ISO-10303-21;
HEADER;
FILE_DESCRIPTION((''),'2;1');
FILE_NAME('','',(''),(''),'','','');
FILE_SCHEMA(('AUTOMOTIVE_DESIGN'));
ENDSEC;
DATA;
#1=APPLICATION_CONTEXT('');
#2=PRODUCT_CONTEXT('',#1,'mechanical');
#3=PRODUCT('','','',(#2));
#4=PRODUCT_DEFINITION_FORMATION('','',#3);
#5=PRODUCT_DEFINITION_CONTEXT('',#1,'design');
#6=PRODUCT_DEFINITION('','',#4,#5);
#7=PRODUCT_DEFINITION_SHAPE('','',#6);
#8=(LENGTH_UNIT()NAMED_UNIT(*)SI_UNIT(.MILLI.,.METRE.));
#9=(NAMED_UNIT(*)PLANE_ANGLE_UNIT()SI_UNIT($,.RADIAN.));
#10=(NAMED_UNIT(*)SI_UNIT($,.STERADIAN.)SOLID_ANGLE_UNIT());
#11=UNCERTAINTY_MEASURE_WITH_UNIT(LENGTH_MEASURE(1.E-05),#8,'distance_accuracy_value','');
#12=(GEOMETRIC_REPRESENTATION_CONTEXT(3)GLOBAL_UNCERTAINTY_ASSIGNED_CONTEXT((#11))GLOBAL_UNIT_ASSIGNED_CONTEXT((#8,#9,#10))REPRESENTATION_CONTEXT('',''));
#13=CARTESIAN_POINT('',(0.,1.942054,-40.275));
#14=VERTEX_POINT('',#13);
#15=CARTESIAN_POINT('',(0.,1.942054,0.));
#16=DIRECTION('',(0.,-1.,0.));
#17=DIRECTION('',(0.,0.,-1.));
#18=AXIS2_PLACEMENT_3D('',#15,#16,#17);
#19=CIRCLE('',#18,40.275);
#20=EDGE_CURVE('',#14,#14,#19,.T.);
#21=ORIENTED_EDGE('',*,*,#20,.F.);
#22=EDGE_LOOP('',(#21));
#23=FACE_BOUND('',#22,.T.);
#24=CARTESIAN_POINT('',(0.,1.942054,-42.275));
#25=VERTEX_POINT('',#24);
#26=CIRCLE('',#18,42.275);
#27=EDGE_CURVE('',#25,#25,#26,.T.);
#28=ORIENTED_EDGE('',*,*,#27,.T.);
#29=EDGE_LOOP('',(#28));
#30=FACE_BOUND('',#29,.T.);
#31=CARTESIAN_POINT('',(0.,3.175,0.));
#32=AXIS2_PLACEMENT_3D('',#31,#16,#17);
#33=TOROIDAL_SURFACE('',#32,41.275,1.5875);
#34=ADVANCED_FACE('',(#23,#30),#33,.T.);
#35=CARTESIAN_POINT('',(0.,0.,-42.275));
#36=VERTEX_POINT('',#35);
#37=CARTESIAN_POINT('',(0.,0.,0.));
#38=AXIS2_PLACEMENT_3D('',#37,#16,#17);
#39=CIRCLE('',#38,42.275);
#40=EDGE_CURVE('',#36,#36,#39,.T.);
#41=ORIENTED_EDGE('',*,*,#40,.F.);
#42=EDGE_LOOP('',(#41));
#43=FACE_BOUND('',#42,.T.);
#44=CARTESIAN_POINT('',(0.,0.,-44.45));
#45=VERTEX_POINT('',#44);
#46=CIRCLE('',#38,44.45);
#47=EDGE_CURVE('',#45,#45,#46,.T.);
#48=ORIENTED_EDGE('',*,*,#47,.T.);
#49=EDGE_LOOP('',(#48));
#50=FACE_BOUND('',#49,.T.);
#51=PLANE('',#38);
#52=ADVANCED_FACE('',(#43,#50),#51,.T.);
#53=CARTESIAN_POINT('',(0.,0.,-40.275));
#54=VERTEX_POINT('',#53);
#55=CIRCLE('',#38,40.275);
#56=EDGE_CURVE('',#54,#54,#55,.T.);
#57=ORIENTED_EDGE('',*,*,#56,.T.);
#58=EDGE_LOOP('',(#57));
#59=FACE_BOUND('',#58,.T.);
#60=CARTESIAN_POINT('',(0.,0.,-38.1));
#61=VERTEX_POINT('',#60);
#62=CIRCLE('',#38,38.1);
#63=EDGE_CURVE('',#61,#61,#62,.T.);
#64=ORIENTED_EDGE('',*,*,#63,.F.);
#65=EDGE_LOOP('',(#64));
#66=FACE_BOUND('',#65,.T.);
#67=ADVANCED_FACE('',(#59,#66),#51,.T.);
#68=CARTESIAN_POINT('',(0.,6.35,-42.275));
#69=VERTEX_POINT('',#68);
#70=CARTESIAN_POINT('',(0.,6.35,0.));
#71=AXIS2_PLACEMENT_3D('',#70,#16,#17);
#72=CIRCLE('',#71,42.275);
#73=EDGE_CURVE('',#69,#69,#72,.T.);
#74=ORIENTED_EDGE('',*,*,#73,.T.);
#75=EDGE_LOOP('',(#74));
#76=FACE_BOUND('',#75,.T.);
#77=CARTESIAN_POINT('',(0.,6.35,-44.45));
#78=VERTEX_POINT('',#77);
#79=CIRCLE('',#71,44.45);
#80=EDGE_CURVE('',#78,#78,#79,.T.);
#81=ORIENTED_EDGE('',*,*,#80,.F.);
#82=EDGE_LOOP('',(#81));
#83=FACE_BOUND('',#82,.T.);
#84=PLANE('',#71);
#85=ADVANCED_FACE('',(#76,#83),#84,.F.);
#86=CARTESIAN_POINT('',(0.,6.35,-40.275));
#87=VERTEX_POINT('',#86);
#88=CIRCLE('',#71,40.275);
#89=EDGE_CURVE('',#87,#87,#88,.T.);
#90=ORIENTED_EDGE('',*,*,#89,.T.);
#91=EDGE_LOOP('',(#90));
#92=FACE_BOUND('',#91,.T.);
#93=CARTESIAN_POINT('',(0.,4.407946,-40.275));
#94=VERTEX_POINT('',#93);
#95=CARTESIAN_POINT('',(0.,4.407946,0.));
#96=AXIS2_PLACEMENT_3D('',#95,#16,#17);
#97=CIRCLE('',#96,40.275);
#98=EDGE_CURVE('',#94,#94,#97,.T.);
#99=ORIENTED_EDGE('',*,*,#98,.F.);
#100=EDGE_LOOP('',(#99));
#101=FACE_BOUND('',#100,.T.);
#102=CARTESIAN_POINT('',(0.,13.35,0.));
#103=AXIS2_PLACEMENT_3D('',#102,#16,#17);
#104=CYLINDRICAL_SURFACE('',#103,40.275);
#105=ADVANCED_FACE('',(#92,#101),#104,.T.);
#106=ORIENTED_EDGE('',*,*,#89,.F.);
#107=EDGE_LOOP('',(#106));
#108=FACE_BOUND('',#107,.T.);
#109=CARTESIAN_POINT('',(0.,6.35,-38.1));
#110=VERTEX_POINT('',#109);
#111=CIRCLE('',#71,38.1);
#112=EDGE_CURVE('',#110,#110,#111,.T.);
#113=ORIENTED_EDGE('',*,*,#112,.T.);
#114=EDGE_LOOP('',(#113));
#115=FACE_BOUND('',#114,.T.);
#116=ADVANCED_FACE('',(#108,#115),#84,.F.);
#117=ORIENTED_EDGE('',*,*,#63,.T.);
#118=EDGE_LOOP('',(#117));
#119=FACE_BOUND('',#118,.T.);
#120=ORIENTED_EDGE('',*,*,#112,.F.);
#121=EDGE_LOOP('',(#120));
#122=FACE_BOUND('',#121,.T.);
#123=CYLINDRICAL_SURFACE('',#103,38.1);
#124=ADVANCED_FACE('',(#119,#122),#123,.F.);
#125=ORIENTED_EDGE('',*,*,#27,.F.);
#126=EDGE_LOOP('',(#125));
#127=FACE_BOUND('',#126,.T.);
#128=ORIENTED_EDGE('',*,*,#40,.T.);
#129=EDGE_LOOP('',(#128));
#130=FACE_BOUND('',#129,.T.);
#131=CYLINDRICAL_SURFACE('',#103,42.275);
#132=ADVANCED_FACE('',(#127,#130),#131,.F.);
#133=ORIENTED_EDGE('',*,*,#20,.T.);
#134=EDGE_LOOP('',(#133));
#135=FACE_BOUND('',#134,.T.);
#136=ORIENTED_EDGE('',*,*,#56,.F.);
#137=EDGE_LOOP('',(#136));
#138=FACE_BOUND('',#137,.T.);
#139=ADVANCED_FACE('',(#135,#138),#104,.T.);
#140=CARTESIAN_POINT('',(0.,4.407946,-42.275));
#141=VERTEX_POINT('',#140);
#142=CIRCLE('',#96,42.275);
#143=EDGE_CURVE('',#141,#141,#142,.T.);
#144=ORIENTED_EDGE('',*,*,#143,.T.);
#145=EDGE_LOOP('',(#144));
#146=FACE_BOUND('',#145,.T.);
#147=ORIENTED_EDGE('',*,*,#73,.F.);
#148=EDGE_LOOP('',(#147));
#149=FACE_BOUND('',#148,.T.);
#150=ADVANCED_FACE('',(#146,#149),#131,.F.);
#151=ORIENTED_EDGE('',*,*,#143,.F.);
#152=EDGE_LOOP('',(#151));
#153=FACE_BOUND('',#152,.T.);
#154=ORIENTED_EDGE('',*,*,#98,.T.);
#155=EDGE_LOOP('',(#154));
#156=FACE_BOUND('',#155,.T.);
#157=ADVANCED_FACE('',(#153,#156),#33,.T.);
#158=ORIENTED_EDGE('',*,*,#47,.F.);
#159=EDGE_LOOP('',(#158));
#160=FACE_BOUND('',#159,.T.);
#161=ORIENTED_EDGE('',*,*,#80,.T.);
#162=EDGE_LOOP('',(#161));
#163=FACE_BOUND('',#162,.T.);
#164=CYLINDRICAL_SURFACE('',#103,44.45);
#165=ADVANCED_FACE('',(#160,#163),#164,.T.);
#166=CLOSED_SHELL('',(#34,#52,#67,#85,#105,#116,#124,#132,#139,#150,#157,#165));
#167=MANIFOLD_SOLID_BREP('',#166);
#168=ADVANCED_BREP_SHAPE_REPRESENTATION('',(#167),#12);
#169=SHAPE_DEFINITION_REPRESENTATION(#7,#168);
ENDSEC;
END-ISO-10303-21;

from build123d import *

# Parameters (mm, degrees)
SKETCH_1_R = 1.5875


with BuildPart() as part:
    # 草图1 → 旋转1 (revolve)
    with BuildSketch(Plane.XY, mode=Mode.PRIVATE) as revolve_1_sk:
        with BuildLine():
            Line((42.275, 6.35), (42.275, 4.407946167))
            ThreePointArc((42.275, 4.407946167), (42.708118322, 3.857882219), (42.8625, 3.175))
            ThreePointArc((42.8625, 3.175), (42.708118322, 2.492117781), (42.275, 1.942053833))
            Line((42.275, 1.942053833), (42.275, 0))
            Line((42.275, 0), (44.45, 0))
            Line((44.45, 0), (44.45, 6.1))
            Line((44.45, 6.1), (44.45, 6.35))
            Line((44.45, 6.35), (42.275, 6.35))
        make_face()
        with BuildLine():
            Line((40.275, 6.35), (38.1, 6.35))
            Line((38.1, 6.35), (38.1, 6.1))
            Line((38.1, 6.1), (38.1, 0))
            Line((38.1, 0), (40.275, 0))
            Line((40.275, 0), (40.275, 1.942053833))
            ThreePointArc((40.275, 1.942053833), (39.6875, 3.175), (40.275, 4.407946167))
            Line((40.275, 4.407946167), (40.275, 6.35))
        make_face()
        with Locations((41.275, 3.175)):
            Circle(SKETCH_1_R)
    revolve(revolve_1_sk.sketch.rotate(Axis((0, 13.35, 0), (0, 1, 0)), 90), axis=Axis((0, 13.35, 0), (0, 1, 0)))


solid = part.part
